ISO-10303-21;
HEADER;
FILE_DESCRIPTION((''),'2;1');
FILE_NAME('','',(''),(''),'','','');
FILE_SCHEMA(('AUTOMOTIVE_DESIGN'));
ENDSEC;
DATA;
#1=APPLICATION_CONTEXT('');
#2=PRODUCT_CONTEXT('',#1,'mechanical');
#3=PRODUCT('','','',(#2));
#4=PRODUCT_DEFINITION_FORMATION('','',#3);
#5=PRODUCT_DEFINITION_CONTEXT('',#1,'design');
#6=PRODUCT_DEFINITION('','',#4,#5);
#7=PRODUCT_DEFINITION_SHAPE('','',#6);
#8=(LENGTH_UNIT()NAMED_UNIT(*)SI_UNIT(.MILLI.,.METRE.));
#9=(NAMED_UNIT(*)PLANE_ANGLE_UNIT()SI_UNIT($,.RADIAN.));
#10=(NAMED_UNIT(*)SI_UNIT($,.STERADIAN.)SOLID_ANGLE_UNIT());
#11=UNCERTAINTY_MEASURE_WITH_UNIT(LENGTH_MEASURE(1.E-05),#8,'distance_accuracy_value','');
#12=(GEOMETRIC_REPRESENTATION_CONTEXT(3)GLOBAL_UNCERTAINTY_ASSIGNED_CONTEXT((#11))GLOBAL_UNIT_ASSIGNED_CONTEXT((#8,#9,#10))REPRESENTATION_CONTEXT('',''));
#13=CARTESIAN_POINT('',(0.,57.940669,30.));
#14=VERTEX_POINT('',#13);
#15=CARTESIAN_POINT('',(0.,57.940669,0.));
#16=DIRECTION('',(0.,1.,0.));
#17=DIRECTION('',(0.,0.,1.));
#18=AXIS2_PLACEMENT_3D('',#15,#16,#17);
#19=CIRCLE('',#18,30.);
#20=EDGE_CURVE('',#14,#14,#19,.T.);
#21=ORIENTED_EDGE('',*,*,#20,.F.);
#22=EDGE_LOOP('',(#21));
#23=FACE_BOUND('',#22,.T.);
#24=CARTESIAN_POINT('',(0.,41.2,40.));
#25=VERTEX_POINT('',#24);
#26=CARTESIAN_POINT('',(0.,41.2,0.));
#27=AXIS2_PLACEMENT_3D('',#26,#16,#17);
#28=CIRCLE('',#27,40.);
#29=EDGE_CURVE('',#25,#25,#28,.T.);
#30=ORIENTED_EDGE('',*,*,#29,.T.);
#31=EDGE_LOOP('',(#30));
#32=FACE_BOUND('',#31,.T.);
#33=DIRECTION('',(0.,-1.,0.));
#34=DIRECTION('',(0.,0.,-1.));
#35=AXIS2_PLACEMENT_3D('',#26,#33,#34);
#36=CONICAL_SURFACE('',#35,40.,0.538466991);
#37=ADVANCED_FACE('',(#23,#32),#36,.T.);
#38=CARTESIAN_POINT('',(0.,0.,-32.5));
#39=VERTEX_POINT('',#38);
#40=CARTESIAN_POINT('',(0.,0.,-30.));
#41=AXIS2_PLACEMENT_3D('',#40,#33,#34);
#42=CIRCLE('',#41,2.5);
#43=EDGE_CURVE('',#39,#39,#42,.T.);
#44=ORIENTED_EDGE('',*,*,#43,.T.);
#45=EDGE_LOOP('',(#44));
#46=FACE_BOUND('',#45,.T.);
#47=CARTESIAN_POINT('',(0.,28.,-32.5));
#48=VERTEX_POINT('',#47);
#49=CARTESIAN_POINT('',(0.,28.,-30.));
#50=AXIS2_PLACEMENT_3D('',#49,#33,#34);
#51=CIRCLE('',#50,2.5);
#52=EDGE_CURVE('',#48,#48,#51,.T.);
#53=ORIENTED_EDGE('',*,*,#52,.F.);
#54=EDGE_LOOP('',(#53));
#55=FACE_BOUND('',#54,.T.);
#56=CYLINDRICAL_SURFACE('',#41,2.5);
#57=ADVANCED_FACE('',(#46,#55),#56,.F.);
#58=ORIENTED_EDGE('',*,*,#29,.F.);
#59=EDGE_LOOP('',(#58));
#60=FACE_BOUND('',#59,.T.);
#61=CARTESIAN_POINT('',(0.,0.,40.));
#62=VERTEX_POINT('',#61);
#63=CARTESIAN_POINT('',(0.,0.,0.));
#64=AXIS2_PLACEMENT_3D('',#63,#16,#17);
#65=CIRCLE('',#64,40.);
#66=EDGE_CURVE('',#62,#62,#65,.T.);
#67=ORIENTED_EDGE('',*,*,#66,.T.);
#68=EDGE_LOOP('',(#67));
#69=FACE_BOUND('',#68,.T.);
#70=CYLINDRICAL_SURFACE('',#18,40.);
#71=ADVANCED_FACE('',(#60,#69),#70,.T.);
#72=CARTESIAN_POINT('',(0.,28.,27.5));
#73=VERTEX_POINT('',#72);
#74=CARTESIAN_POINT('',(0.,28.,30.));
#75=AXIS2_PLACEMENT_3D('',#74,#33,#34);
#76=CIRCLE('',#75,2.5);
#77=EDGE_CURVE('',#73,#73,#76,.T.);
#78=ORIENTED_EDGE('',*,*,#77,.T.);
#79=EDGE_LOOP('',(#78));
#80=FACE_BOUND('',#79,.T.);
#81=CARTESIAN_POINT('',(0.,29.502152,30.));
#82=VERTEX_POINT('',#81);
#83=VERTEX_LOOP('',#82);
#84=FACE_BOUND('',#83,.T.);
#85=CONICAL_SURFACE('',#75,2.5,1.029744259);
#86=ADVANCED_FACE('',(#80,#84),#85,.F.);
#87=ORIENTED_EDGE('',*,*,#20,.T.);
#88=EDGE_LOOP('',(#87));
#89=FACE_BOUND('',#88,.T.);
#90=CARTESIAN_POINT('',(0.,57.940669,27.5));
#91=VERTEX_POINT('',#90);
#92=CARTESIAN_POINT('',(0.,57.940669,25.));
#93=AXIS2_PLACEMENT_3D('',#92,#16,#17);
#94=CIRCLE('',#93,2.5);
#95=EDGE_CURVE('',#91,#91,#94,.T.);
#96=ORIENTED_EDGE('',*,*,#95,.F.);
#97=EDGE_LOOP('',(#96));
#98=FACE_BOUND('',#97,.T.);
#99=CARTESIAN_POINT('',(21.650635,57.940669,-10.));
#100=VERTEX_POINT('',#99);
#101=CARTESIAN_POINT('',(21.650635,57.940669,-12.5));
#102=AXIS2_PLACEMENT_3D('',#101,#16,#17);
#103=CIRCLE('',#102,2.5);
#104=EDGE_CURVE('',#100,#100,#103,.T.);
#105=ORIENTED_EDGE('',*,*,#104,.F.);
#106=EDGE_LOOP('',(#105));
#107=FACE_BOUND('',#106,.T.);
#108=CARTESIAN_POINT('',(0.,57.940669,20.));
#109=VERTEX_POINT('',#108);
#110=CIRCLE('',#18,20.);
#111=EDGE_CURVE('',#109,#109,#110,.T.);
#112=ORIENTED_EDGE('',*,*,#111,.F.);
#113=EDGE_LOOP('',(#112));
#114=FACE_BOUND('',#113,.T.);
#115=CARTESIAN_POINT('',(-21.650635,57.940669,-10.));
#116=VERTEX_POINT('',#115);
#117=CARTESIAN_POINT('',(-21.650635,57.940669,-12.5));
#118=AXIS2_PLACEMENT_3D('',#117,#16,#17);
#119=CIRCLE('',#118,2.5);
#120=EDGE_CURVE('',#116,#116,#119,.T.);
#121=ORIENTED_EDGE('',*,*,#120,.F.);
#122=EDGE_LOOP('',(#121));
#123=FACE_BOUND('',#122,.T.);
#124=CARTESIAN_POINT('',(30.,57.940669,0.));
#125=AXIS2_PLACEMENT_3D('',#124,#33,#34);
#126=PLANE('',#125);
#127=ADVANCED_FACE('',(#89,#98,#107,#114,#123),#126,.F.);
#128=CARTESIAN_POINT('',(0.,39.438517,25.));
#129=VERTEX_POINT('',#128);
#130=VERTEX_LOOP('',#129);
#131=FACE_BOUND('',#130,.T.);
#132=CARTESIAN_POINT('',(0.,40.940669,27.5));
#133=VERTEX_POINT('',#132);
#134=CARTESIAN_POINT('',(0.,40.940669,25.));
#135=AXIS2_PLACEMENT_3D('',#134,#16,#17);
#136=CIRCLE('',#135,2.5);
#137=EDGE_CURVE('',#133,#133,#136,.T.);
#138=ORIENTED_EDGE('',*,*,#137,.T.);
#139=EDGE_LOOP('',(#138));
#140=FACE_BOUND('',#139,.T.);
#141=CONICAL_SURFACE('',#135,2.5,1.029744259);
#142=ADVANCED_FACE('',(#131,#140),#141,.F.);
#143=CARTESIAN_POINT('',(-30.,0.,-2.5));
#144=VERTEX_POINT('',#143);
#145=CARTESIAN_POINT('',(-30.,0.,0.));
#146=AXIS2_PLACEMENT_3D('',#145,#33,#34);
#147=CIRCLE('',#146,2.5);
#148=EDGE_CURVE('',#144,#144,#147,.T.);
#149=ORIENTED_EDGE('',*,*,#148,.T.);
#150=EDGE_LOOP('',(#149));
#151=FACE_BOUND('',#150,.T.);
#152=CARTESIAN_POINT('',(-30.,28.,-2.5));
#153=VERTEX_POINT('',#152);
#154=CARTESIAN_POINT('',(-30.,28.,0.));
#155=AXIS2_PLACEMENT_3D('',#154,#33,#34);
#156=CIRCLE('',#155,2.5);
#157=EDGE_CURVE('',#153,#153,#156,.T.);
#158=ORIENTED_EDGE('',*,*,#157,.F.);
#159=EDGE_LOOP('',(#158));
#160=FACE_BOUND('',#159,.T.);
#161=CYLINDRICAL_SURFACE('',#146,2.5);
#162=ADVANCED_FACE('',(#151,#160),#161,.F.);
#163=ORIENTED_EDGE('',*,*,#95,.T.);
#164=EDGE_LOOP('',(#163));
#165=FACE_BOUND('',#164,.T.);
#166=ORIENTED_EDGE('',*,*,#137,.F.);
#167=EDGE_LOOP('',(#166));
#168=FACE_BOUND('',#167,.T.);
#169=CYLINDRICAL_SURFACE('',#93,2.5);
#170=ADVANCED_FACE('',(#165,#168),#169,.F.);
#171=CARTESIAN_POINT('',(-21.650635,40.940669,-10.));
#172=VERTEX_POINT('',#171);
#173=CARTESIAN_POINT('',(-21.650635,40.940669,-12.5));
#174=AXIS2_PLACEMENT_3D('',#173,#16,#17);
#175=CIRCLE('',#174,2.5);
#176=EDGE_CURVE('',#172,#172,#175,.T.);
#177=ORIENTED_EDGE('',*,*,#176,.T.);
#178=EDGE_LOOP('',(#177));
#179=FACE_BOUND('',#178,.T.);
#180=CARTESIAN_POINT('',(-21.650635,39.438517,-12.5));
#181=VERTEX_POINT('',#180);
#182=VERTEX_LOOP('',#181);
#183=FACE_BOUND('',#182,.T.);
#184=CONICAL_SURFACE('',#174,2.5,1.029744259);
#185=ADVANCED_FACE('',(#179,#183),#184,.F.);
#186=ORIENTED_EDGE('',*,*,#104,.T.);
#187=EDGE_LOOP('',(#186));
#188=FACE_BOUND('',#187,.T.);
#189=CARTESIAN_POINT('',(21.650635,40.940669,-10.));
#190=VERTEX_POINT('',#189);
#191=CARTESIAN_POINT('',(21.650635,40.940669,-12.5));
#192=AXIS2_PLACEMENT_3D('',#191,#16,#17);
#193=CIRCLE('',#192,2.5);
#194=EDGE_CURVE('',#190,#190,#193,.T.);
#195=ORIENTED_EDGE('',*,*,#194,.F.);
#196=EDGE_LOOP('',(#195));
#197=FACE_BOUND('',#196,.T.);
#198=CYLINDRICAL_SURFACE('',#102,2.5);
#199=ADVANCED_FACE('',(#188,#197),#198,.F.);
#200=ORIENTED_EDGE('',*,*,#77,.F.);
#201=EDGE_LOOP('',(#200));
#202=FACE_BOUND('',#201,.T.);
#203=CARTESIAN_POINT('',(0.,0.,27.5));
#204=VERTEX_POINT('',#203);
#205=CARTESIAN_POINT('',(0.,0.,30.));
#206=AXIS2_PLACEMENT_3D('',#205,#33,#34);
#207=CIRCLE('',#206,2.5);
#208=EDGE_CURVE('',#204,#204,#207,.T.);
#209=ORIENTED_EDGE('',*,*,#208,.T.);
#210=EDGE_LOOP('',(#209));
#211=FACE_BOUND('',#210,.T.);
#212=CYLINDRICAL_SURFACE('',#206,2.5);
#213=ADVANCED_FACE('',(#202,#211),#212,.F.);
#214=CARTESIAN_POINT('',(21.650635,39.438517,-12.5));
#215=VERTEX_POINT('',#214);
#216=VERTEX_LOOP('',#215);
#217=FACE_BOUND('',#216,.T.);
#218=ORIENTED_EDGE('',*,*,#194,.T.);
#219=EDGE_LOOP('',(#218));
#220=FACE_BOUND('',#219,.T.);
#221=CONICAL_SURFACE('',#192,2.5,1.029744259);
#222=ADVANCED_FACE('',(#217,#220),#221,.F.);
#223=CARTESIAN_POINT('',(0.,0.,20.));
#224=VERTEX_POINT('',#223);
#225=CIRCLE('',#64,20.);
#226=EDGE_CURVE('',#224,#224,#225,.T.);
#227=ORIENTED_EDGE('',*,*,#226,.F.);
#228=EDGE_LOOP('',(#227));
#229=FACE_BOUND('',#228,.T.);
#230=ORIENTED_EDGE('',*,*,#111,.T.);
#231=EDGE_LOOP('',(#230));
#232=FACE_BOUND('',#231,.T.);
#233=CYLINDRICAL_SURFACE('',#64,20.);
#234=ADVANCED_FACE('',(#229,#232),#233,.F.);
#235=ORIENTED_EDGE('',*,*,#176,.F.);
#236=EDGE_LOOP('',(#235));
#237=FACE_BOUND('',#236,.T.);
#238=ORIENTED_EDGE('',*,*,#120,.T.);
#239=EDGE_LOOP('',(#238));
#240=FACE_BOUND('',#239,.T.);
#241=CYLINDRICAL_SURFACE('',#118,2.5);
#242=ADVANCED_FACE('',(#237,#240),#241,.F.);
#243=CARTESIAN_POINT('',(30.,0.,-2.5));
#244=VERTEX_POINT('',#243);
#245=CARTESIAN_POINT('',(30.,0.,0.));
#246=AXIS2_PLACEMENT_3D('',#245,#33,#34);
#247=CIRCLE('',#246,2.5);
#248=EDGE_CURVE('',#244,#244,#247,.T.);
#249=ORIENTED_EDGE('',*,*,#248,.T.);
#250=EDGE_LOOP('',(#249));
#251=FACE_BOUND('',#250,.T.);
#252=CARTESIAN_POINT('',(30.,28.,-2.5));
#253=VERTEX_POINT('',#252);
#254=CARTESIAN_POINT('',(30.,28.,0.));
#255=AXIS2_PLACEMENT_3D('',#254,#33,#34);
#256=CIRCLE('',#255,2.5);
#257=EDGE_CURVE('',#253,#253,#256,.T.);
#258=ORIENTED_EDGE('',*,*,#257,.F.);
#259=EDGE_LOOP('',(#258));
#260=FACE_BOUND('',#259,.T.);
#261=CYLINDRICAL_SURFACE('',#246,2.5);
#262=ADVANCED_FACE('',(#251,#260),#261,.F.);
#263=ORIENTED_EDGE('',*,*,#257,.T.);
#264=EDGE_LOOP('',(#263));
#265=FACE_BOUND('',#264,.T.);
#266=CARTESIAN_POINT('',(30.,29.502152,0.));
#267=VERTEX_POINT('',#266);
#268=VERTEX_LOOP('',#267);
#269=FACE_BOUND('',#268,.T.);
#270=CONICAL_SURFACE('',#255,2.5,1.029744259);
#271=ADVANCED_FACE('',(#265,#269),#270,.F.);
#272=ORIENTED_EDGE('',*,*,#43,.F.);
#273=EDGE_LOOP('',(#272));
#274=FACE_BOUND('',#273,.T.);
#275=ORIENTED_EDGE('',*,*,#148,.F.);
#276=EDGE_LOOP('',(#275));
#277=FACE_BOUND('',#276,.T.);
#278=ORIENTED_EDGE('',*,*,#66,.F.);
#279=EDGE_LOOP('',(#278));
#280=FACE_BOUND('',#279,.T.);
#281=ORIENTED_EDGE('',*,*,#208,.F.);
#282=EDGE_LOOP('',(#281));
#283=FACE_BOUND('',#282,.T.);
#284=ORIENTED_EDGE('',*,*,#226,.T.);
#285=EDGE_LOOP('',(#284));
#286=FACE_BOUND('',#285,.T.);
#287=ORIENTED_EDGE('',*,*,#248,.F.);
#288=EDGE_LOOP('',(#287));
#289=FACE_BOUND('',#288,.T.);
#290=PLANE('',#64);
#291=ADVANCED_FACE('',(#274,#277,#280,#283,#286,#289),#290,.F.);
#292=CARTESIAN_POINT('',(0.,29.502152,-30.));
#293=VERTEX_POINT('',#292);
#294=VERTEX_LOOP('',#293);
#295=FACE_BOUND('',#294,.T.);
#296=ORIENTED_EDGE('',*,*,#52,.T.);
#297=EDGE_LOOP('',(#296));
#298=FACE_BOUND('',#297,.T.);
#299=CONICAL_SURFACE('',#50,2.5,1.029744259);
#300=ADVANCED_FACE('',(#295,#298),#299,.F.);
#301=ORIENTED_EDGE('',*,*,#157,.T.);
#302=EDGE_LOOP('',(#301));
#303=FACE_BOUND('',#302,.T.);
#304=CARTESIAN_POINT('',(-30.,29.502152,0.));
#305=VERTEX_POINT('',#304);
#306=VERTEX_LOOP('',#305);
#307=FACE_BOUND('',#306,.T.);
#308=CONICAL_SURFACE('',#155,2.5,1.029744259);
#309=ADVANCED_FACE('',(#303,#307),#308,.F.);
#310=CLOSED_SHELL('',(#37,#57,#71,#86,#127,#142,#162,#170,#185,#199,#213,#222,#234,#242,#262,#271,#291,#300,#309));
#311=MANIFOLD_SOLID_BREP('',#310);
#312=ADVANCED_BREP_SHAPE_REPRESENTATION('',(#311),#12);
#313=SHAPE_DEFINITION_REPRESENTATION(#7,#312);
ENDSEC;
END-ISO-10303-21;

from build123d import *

# Parameters (mm, degrees)
ESQUISSE2_R             = 20
ENL_V_MAT_EXTRU_1_DEPTH = 58.940669043
TROU_TARAUD_M61_D       = 5
TROU_TARAUD_M61_DEPTH   = 17
TROU_TARAUD_M61_TIP     = 1.502151548
TROU_TARAUD_M62_D       = 5
TROU_TARAUD_M62_DEPTH   = 28
TROU_TARAUD_M62_TIP     = 1.502151548


with BuildPart() as part:
    # Esquisse1 → Révolution1 (revolve)
    with BuildSketch(Plane.XY, mode=Mode.PRIVATE) as r_volution1_sk:
        Polygon((0, 0), (40, 0), (40, 41.2), (30, 57.940669043), (0, 57.940669043), align=None)
    revolve(r_volution1_sk.sketch.rotate(Axis((0, 57.940669043, 0), (0, -1, 0)), 90), axis=Axis((0, 57.940669043, 0), (0, -1, 0)))  # turned: the seam where the file's is

    # Esquisse2 → Enlèv. mat.-Extru.1 (cut, through all)
    with BuildSketch(Plane(origin=(0, 57.940669043, 0), x_dir=(1, 0, 0), z_dir=(0, 1, 0))):
        with Locations(Location((0, 0, 0), (0, 0, 270))):  # turned: the seam where the file's is
            Circle(ESQUISSE2_R)
    extrude(amount=-ENL_V_MAT_EXTRU_1_DEPTH, mode=Mode.SUBTRACT)

    # Trou taraudé M61
    with Locations(Plane(origin=(-21.650635095, 57.940669043, -12.5), x_dir=(0, 0, 1), z_dir=(0, 1, 0))):
        with Locations((0, 0), (0, 43.30127019), (37.5, 21.650635095)):
            Hole(TROU_TARAUD_M61_D / 2, depth=TROU_TARAUD_M61_DEPTH)
            with Locations((0, 0, -(TROU_TARAUD_M61_DEPTH + TROU_TARAUD_M61_TIP / 2))):  # 118° drill point
                Cone(0, TROU_TARAUD_M61_D / 2, TROU_TARAUD_M61_TIP, mode=Mode.SUBTRACT)

    # Trou taraudé M62
    with Locations(Plane(origin=(0, 0, 30), x_dir=(0, 0, -1), z_dir=(0, -1, 0))):
        with Locations((0, 0), (30, 30), (60, 0), (30, -30)):
            Hole(TROU_TARAUD_M62_D / 2, depth=TROU_TARAUD_M62_DEPTH)
            with Locations((0, 0, -(TROU_TARAUD_M62_DEPTH + TROU_TARAUD_M62_TIP / 2))):  # 118° drill point
                Cone(0, TROU_TARAUD_M62_D / 2, TROU_TARAUD_M62_TIP, mode=Mode.SUBTRACT)


solid = part.part
